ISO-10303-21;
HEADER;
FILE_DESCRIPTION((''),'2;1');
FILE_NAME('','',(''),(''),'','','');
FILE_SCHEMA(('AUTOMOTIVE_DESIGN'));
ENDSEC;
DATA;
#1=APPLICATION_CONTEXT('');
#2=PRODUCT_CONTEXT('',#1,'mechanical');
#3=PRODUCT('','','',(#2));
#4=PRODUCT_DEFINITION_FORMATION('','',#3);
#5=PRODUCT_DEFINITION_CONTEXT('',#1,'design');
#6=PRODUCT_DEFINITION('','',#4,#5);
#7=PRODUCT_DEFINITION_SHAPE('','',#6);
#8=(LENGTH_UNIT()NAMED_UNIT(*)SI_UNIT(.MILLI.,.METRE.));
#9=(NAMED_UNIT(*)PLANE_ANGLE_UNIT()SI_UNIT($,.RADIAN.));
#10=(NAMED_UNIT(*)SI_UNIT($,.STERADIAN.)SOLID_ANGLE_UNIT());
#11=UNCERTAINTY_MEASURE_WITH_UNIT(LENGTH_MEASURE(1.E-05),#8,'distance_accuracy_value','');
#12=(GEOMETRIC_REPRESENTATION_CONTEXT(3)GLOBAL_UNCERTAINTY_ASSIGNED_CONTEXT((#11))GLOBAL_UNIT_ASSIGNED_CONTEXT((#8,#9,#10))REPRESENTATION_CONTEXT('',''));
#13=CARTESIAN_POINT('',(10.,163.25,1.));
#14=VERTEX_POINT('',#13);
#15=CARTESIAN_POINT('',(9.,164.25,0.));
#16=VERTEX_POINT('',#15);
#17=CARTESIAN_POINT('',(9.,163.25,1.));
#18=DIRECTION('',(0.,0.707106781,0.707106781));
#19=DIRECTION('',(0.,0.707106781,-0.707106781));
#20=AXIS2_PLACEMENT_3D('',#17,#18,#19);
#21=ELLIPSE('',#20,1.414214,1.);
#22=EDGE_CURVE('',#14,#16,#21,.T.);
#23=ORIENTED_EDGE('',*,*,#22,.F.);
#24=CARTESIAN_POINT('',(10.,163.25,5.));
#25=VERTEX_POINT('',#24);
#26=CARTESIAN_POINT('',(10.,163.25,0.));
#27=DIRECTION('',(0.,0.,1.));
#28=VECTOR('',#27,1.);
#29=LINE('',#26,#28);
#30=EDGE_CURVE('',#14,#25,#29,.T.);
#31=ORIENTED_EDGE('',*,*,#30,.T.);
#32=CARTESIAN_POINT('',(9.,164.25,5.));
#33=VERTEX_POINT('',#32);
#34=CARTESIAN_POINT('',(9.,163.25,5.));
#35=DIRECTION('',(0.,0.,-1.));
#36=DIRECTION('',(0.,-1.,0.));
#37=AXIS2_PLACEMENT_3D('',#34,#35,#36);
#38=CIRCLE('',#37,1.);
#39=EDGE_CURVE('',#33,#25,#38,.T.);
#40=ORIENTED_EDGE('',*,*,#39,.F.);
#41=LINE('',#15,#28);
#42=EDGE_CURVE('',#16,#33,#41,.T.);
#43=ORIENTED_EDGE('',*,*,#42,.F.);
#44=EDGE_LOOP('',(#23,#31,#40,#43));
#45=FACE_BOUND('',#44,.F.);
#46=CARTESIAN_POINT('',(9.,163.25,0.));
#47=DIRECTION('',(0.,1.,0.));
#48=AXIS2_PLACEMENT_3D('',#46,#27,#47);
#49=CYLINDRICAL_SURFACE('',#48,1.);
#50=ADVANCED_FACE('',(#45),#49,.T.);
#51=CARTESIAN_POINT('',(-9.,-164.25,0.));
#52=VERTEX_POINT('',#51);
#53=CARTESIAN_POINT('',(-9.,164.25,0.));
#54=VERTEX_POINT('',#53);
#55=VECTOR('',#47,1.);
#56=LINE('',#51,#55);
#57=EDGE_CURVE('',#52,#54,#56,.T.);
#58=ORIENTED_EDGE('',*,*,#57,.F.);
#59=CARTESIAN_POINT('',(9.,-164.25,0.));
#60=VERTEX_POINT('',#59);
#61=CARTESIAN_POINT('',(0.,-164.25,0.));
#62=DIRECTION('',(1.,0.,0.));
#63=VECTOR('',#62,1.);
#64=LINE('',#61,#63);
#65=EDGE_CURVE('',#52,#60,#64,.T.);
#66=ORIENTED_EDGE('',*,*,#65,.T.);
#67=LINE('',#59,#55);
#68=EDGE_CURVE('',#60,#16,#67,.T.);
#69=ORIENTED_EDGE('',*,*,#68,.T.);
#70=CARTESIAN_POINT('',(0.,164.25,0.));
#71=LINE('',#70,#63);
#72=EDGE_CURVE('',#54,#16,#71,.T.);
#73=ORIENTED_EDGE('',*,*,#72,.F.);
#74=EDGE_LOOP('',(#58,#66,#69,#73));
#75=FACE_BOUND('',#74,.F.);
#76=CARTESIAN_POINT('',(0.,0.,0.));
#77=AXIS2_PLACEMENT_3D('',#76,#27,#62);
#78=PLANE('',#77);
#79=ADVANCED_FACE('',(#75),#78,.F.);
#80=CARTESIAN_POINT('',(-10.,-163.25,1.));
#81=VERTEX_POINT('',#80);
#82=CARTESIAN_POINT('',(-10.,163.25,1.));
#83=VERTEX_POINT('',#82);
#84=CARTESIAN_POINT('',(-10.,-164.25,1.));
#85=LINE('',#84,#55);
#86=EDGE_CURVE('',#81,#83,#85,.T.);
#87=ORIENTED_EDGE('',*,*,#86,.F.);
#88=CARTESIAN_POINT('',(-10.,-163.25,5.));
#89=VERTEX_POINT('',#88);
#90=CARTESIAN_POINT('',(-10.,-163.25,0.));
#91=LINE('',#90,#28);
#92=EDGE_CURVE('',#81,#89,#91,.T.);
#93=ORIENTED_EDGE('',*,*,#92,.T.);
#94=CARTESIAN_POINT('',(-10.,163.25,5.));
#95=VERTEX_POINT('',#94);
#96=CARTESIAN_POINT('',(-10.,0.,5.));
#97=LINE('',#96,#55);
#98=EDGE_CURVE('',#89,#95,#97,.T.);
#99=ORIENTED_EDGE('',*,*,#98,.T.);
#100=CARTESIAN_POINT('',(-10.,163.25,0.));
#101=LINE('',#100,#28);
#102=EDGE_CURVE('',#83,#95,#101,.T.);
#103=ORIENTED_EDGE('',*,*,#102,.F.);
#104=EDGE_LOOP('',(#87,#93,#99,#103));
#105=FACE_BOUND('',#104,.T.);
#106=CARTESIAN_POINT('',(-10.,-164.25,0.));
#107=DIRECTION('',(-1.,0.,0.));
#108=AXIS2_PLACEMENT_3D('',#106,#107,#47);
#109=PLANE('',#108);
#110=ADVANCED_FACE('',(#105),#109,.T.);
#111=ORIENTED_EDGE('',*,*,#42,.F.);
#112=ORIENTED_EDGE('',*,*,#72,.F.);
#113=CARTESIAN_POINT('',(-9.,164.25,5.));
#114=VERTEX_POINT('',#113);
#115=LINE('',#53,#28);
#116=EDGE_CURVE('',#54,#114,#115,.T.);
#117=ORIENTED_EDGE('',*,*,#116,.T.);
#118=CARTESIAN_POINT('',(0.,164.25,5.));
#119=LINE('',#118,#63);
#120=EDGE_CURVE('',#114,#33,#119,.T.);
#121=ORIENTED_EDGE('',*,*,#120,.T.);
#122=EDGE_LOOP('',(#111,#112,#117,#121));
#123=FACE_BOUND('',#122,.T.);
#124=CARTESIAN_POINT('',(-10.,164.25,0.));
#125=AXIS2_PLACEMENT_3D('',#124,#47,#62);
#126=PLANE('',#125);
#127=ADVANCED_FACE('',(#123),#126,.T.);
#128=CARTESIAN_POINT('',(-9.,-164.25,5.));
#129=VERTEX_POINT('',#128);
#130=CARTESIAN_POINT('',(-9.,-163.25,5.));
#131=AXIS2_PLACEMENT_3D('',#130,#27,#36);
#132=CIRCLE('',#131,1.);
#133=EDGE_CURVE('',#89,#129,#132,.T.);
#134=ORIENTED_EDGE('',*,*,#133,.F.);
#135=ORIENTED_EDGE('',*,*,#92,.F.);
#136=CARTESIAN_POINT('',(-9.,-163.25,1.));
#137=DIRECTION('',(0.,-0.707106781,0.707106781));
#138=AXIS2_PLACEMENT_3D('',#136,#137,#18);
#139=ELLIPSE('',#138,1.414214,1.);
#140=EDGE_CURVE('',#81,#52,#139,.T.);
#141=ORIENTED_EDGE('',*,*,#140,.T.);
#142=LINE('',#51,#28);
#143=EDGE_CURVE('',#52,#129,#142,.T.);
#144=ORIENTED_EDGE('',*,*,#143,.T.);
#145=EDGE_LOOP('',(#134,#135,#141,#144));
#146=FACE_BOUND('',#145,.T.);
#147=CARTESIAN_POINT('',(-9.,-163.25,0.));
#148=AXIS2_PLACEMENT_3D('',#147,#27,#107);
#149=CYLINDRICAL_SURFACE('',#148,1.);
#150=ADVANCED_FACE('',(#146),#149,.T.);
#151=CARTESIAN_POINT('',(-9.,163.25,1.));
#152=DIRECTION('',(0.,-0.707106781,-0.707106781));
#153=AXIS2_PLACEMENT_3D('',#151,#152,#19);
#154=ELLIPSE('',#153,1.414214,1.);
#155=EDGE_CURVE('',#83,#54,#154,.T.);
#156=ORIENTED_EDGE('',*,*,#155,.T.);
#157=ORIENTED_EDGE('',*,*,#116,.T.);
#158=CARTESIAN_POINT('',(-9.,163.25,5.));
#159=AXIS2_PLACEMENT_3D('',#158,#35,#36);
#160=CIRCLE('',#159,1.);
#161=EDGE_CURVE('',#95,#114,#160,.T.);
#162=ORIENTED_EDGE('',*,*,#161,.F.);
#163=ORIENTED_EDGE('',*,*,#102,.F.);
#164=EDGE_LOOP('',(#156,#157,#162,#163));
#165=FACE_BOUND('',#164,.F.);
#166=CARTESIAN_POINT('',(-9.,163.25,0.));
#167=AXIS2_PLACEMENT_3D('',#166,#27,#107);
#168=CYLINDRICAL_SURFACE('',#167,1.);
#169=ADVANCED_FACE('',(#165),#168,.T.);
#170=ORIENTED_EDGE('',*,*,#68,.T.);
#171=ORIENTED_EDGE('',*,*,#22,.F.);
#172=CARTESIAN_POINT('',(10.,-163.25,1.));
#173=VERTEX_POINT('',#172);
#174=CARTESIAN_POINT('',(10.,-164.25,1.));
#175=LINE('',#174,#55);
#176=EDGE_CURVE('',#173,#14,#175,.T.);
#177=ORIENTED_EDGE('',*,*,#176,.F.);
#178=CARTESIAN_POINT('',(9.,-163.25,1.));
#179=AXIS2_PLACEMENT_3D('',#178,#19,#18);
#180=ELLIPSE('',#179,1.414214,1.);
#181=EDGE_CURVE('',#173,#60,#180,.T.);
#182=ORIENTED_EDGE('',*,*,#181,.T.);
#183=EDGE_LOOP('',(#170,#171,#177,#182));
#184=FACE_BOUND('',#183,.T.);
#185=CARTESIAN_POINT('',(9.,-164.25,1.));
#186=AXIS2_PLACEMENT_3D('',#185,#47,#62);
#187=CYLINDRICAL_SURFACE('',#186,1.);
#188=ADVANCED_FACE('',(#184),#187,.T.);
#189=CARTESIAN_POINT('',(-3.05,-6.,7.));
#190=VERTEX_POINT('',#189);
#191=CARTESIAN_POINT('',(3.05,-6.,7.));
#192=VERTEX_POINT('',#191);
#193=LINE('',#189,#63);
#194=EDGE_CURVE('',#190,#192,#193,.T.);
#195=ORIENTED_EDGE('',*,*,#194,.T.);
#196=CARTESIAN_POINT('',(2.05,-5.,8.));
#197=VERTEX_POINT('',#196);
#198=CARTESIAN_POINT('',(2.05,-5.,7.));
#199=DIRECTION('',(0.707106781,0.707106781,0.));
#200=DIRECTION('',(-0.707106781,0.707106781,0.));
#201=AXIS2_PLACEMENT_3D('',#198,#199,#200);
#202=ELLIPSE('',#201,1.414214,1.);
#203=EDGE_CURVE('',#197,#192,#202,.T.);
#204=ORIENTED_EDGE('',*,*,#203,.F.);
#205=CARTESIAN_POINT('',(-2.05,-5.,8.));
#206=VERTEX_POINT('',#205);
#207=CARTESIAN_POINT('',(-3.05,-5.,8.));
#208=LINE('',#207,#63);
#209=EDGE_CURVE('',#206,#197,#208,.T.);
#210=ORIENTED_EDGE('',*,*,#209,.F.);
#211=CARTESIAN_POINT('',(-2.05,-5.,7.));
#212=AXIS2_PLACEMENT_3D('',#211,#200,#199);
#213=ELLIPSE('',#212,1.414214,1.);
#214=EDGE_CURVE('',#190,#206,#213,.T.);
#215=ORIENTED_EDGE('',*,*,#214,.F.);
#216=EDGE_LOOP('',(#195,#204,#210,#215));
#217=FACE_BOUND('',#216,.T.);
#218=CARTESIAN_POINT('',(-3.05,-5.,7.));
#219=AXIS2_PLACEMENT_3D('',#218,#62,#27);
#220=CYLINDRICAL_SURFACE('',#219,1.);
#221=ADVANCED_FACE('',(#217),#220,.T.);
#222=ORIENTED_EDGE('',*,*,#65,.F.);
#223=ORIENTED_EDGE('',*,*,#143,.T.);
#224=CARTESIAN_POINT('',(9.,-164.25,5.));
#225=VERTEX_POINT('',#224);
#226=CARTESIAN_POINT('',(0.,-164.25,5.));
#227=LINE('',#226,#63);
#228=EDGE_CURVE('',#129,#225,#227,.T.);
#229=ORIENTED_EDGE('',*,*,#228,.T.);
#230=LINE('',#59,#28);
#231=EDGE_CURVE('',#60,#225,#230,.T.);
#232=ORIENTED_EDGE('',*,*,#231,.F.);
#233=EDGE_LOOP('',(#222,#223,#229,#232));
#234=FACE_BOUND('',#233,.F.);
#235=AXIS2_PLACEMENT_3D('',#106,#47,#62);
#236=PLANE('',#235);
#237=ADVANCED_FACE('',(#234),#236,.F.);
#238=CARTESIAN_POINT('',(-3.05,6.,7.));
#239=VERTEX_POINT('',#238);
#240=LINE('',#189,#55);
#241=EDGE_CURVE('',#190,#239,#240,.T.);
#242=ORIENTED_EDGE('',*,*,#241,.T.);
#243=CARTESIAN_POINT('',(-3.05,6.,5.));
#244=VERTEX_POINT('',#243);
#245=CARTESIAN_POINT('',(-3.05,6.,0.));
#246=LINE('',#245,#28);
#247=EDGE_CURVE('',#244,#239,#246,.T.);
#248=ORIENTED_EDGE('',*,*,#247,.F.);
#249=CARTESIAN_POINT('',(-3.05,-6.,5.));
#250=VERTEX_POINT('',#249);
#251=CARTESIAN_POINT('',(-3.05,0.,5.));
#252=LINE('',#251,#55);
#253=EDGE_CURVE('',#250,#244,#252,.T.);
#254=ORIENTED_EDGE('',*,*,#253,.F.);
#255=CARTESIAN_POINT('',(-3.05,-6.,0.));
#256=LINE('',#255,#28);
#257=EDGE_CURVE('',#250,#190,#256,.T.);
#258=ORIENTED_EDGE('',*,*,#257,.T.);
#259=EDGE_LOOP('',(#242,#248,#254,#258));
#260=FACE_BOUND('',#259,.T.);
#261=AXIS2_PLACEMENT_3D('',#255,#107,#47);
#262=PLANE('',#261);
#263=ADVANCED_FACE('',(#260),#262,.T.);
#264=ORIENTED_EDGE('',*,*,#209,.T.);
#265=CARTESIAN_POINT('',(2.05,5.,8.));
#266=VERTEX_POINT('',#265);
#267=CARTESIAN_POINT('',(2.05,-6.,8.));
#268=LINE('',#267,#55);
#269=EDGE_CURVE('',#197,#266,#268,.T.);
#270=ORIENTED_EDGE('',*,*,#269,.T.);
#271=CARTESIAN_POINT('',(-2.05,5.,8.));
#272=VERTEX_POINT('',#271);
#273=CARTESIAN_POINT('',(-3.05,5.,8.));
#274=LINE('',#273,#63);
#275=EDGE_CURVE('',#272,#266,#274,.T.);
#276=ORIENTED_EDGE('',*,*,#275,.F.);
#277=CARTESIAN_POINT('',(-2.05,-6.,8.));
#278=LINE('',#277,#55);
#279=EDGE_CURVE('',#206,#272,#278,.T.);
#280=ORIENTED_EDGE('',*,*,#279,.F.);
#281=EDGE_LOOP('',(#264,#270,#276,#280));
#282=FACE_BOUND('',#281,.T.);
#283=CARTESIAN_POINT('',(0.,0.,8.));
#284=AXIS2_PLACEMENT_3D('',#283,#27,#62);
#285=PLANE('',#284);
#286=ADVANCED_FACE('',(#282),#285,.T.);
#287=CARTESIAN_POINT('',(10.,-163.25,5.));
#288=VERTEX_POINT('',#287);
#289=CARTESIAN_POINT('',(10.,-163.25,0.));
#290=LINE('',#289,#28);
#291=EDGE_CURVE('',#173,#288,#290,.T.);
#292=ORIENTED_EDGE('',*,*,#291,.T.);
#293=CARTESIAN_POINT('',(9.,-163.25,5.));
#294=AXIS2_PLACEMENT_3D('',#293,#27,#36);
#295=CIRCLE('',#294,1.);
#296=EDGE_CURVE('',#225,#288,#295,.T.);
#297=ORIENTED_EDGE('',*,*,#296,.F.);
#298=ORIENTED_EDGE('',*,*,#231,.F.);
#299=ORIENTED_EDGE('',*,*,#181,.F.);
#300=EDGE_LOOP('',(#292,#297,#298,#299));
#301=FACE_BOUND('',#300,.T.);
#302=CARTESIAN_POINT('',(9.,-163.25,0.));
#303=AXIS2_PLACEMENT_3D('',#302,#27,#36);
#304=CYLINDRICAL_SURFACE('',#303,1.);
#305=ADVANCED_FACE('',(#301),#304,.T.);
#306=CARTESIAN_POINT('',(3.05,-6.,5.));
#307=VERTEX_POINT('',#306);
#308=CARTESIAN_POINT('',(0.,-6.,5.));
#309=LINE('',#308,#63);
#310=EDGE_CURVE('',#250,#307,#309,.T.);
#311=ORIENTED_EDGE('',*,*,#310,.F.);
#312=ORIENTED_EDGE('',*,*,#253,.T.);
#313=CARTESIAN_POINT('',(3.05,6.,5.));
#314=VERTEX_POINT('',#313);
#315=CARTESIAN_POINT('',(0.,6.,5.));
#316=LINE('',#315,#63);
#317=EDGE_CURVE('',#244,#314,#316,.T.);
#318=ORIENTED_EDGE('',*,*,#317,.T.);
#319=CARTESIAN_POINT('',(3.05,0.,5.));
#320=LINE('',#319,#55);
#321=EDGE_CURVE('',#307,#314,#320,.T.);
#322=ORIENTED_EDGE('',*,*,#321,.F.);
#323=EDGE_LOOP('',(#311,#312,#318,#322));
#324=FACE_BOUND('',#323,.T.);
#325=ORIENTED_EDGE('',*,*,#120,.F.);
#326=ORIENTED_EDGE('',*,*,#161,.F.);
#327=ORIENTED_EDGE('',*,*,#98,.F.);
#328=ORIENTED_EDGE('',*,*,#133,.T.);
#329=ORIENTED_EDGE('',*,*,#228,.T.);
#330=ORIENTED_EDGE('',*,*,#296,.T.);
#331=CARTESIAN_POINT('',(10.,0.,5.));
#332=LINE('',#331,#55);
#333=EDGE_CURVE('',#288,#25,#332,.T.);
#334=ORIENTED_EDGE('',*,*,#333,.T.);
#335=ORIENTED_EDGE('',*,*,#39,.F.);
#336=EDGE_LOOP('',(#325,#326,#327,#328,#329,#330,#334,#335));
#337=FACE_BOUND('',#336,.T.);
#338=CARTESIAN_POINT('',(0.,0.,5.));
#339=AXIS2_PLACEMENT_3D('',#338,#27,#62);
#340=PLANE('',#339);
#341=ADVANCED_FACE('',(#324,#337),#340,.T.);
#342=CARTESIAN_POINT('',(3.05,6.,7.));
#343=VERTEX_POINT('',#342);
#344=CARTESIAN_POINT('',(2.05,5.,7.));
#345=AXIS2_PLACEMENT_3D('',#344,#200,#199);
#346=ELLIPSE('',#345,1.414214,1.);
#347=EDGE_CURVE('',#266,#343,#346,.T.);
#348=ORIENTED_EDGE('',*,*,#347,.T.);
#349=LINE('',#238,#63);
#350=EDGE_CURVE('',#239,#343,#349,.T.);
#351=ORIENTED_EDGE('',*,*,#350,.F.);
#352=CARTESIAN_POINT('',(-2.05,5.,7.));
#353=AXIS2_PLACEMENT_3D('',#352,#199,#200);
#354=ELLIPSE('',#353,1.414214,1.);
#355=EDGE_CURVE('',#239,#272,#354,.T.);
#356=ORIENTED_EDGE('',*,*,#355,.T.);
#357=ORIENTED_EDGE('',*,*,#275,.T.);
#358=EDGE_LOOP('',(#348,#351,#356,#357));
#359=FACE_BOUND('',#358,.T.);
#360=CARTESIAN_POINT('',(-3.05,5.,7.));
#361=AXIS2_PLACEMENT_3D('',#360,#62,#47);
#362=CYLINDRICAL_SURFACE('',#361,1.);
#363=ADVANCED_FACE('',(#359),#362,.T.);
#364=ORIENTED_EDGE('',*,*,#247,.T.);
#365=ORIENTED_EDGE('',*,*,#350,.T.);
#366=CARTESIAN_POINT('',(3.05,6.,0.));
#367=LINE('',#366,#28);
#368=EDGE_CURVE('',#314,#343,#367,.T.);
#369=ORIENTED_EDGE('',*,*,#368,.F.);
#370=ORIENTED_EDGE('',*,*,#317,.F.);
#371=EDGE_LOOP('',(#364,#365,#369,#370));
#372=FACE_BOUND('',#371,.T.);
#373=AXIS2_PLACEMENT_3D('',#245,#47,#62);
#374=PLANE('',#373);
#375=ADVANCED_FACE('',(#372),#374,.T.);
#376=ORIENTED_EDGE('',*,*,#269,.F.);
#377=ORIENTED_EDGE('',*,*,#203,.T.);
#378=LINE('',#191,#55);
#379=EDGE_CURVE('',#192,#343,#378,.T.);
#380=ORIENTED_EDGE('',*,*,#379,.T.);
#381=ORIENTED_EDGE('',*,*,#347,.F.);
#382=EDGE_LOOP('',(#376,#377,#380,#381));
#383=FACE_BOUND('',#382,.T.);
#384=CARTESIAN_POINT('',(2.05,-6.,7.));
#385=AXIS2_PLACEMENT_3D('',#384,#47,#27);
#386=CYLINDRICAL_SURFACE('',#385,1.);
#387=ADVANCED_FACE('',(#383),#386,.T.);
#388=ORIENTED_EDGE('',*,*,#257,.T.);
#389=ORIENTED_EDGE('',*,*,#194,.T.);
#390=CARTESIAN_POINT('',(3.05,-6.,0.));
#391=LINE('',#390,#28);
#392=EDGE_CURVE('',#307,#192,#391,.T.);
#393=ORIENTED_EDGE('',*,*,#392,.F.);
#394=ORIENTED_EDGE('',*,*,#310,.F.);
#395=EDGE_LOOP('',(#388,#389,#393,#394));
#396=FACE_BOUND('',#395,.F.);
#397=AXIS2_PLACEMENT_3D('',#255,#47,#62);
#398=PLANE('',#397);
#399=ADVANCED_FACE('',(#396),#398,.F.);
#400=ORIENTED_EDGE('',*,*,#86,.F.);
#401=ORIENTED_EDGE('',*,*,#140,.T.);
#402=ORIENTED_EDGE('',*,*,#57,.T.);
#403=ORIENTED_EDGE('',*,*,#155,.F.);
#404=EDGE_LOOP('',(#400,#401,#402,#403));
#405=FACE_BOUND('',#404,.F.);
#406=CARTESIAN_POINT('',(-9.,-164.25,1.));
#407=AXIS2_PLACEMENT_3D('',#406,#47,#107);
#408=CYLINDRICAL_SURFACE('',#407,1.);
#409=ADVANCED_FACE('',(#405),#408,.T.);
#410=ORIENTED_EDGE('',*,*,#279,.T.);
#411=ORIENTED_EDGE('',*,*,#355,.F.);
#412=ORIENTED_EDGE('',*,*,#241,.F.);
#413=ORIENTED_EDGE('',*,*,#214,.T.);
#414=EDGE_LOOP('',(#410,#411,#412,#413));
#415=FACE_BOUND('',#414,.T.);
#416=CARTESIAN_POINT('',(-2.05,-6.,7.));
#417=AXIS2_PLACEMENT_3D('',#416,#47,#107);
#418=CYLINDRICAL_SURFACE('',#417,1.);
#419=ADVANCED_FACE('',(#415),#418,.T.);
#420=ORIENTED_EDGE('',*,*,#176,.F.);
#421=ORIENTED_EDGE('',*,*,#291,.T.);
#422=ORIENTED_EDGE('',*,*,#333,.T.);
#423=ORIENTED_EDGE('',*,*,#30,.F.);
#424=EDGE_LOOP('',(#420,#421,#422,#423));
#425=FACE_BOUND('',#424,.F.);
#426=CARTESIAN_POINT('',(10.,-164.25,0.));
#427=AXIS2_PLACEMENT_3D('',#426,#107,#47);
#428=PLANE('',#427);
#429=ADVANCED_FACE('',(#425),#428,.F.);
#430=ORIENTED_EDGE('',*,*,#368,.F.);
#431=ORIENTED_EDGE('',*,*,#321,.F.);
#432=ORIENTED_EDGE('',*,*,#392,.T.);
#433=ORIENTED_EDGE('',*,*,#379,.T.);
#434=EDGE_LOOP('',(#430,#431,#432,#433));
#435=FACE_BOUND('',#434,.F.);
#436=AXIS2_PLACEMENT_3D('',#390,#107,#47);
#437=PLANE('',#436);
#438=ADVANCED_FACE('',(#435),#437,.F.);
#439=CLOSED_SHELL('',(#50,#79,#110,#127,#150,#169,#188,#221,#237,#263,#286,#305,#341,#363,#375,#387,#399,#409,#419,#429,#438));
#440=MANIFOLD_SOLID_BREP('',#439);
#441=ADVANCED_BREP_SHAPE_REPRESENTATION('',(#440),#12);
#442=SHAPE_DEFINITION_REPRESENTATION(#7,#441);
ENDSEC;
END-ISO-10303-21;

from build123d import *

# Parameters (mm, degrees)
F0_W     = 20
F0_H     = 328.5
F0_W_2   = 6.1
F0_H_2   = 12
F1_DEPTH = 5
F2_DEPTH = 8
F3_R     = 1


with BuildPart() as f1:
    # F0 (on Top) → F1 (new body)
    with BuildSketch(Plane.XY):
        Rectangle(F0_W, F0_H)
        Rectangle(F0_W_2, F0_H_2, mode=Mode.SUBTRACT)
    extrude(amount=F1_DEPTH)

    # F0 (on Top) → F2 (join)
    with BuildSketch(Plane.XY):
        Rectangle(F0_W_2, F0_H_2)
    extrude(amount=F2_DEPTH)

    # F3
    f3_edges = [f1.edges().sort_by_distance(p)[0] for p in [
        (3.05, 0, 8),
        (-3.05, 0, 8),
        (0, 6, 8),
        (0, -6, 8),
        (-10, 0, 0),
        (10, 0, 0),
        (-10, -164.25, 2.5),
        (10, -164.25, 2.5),
        (10, 164.25, 2.5),
        (-10, 164.25, 2.5),
    ]]
    fillet(f3_edges, radius=F3_R)


solid = f1.part
